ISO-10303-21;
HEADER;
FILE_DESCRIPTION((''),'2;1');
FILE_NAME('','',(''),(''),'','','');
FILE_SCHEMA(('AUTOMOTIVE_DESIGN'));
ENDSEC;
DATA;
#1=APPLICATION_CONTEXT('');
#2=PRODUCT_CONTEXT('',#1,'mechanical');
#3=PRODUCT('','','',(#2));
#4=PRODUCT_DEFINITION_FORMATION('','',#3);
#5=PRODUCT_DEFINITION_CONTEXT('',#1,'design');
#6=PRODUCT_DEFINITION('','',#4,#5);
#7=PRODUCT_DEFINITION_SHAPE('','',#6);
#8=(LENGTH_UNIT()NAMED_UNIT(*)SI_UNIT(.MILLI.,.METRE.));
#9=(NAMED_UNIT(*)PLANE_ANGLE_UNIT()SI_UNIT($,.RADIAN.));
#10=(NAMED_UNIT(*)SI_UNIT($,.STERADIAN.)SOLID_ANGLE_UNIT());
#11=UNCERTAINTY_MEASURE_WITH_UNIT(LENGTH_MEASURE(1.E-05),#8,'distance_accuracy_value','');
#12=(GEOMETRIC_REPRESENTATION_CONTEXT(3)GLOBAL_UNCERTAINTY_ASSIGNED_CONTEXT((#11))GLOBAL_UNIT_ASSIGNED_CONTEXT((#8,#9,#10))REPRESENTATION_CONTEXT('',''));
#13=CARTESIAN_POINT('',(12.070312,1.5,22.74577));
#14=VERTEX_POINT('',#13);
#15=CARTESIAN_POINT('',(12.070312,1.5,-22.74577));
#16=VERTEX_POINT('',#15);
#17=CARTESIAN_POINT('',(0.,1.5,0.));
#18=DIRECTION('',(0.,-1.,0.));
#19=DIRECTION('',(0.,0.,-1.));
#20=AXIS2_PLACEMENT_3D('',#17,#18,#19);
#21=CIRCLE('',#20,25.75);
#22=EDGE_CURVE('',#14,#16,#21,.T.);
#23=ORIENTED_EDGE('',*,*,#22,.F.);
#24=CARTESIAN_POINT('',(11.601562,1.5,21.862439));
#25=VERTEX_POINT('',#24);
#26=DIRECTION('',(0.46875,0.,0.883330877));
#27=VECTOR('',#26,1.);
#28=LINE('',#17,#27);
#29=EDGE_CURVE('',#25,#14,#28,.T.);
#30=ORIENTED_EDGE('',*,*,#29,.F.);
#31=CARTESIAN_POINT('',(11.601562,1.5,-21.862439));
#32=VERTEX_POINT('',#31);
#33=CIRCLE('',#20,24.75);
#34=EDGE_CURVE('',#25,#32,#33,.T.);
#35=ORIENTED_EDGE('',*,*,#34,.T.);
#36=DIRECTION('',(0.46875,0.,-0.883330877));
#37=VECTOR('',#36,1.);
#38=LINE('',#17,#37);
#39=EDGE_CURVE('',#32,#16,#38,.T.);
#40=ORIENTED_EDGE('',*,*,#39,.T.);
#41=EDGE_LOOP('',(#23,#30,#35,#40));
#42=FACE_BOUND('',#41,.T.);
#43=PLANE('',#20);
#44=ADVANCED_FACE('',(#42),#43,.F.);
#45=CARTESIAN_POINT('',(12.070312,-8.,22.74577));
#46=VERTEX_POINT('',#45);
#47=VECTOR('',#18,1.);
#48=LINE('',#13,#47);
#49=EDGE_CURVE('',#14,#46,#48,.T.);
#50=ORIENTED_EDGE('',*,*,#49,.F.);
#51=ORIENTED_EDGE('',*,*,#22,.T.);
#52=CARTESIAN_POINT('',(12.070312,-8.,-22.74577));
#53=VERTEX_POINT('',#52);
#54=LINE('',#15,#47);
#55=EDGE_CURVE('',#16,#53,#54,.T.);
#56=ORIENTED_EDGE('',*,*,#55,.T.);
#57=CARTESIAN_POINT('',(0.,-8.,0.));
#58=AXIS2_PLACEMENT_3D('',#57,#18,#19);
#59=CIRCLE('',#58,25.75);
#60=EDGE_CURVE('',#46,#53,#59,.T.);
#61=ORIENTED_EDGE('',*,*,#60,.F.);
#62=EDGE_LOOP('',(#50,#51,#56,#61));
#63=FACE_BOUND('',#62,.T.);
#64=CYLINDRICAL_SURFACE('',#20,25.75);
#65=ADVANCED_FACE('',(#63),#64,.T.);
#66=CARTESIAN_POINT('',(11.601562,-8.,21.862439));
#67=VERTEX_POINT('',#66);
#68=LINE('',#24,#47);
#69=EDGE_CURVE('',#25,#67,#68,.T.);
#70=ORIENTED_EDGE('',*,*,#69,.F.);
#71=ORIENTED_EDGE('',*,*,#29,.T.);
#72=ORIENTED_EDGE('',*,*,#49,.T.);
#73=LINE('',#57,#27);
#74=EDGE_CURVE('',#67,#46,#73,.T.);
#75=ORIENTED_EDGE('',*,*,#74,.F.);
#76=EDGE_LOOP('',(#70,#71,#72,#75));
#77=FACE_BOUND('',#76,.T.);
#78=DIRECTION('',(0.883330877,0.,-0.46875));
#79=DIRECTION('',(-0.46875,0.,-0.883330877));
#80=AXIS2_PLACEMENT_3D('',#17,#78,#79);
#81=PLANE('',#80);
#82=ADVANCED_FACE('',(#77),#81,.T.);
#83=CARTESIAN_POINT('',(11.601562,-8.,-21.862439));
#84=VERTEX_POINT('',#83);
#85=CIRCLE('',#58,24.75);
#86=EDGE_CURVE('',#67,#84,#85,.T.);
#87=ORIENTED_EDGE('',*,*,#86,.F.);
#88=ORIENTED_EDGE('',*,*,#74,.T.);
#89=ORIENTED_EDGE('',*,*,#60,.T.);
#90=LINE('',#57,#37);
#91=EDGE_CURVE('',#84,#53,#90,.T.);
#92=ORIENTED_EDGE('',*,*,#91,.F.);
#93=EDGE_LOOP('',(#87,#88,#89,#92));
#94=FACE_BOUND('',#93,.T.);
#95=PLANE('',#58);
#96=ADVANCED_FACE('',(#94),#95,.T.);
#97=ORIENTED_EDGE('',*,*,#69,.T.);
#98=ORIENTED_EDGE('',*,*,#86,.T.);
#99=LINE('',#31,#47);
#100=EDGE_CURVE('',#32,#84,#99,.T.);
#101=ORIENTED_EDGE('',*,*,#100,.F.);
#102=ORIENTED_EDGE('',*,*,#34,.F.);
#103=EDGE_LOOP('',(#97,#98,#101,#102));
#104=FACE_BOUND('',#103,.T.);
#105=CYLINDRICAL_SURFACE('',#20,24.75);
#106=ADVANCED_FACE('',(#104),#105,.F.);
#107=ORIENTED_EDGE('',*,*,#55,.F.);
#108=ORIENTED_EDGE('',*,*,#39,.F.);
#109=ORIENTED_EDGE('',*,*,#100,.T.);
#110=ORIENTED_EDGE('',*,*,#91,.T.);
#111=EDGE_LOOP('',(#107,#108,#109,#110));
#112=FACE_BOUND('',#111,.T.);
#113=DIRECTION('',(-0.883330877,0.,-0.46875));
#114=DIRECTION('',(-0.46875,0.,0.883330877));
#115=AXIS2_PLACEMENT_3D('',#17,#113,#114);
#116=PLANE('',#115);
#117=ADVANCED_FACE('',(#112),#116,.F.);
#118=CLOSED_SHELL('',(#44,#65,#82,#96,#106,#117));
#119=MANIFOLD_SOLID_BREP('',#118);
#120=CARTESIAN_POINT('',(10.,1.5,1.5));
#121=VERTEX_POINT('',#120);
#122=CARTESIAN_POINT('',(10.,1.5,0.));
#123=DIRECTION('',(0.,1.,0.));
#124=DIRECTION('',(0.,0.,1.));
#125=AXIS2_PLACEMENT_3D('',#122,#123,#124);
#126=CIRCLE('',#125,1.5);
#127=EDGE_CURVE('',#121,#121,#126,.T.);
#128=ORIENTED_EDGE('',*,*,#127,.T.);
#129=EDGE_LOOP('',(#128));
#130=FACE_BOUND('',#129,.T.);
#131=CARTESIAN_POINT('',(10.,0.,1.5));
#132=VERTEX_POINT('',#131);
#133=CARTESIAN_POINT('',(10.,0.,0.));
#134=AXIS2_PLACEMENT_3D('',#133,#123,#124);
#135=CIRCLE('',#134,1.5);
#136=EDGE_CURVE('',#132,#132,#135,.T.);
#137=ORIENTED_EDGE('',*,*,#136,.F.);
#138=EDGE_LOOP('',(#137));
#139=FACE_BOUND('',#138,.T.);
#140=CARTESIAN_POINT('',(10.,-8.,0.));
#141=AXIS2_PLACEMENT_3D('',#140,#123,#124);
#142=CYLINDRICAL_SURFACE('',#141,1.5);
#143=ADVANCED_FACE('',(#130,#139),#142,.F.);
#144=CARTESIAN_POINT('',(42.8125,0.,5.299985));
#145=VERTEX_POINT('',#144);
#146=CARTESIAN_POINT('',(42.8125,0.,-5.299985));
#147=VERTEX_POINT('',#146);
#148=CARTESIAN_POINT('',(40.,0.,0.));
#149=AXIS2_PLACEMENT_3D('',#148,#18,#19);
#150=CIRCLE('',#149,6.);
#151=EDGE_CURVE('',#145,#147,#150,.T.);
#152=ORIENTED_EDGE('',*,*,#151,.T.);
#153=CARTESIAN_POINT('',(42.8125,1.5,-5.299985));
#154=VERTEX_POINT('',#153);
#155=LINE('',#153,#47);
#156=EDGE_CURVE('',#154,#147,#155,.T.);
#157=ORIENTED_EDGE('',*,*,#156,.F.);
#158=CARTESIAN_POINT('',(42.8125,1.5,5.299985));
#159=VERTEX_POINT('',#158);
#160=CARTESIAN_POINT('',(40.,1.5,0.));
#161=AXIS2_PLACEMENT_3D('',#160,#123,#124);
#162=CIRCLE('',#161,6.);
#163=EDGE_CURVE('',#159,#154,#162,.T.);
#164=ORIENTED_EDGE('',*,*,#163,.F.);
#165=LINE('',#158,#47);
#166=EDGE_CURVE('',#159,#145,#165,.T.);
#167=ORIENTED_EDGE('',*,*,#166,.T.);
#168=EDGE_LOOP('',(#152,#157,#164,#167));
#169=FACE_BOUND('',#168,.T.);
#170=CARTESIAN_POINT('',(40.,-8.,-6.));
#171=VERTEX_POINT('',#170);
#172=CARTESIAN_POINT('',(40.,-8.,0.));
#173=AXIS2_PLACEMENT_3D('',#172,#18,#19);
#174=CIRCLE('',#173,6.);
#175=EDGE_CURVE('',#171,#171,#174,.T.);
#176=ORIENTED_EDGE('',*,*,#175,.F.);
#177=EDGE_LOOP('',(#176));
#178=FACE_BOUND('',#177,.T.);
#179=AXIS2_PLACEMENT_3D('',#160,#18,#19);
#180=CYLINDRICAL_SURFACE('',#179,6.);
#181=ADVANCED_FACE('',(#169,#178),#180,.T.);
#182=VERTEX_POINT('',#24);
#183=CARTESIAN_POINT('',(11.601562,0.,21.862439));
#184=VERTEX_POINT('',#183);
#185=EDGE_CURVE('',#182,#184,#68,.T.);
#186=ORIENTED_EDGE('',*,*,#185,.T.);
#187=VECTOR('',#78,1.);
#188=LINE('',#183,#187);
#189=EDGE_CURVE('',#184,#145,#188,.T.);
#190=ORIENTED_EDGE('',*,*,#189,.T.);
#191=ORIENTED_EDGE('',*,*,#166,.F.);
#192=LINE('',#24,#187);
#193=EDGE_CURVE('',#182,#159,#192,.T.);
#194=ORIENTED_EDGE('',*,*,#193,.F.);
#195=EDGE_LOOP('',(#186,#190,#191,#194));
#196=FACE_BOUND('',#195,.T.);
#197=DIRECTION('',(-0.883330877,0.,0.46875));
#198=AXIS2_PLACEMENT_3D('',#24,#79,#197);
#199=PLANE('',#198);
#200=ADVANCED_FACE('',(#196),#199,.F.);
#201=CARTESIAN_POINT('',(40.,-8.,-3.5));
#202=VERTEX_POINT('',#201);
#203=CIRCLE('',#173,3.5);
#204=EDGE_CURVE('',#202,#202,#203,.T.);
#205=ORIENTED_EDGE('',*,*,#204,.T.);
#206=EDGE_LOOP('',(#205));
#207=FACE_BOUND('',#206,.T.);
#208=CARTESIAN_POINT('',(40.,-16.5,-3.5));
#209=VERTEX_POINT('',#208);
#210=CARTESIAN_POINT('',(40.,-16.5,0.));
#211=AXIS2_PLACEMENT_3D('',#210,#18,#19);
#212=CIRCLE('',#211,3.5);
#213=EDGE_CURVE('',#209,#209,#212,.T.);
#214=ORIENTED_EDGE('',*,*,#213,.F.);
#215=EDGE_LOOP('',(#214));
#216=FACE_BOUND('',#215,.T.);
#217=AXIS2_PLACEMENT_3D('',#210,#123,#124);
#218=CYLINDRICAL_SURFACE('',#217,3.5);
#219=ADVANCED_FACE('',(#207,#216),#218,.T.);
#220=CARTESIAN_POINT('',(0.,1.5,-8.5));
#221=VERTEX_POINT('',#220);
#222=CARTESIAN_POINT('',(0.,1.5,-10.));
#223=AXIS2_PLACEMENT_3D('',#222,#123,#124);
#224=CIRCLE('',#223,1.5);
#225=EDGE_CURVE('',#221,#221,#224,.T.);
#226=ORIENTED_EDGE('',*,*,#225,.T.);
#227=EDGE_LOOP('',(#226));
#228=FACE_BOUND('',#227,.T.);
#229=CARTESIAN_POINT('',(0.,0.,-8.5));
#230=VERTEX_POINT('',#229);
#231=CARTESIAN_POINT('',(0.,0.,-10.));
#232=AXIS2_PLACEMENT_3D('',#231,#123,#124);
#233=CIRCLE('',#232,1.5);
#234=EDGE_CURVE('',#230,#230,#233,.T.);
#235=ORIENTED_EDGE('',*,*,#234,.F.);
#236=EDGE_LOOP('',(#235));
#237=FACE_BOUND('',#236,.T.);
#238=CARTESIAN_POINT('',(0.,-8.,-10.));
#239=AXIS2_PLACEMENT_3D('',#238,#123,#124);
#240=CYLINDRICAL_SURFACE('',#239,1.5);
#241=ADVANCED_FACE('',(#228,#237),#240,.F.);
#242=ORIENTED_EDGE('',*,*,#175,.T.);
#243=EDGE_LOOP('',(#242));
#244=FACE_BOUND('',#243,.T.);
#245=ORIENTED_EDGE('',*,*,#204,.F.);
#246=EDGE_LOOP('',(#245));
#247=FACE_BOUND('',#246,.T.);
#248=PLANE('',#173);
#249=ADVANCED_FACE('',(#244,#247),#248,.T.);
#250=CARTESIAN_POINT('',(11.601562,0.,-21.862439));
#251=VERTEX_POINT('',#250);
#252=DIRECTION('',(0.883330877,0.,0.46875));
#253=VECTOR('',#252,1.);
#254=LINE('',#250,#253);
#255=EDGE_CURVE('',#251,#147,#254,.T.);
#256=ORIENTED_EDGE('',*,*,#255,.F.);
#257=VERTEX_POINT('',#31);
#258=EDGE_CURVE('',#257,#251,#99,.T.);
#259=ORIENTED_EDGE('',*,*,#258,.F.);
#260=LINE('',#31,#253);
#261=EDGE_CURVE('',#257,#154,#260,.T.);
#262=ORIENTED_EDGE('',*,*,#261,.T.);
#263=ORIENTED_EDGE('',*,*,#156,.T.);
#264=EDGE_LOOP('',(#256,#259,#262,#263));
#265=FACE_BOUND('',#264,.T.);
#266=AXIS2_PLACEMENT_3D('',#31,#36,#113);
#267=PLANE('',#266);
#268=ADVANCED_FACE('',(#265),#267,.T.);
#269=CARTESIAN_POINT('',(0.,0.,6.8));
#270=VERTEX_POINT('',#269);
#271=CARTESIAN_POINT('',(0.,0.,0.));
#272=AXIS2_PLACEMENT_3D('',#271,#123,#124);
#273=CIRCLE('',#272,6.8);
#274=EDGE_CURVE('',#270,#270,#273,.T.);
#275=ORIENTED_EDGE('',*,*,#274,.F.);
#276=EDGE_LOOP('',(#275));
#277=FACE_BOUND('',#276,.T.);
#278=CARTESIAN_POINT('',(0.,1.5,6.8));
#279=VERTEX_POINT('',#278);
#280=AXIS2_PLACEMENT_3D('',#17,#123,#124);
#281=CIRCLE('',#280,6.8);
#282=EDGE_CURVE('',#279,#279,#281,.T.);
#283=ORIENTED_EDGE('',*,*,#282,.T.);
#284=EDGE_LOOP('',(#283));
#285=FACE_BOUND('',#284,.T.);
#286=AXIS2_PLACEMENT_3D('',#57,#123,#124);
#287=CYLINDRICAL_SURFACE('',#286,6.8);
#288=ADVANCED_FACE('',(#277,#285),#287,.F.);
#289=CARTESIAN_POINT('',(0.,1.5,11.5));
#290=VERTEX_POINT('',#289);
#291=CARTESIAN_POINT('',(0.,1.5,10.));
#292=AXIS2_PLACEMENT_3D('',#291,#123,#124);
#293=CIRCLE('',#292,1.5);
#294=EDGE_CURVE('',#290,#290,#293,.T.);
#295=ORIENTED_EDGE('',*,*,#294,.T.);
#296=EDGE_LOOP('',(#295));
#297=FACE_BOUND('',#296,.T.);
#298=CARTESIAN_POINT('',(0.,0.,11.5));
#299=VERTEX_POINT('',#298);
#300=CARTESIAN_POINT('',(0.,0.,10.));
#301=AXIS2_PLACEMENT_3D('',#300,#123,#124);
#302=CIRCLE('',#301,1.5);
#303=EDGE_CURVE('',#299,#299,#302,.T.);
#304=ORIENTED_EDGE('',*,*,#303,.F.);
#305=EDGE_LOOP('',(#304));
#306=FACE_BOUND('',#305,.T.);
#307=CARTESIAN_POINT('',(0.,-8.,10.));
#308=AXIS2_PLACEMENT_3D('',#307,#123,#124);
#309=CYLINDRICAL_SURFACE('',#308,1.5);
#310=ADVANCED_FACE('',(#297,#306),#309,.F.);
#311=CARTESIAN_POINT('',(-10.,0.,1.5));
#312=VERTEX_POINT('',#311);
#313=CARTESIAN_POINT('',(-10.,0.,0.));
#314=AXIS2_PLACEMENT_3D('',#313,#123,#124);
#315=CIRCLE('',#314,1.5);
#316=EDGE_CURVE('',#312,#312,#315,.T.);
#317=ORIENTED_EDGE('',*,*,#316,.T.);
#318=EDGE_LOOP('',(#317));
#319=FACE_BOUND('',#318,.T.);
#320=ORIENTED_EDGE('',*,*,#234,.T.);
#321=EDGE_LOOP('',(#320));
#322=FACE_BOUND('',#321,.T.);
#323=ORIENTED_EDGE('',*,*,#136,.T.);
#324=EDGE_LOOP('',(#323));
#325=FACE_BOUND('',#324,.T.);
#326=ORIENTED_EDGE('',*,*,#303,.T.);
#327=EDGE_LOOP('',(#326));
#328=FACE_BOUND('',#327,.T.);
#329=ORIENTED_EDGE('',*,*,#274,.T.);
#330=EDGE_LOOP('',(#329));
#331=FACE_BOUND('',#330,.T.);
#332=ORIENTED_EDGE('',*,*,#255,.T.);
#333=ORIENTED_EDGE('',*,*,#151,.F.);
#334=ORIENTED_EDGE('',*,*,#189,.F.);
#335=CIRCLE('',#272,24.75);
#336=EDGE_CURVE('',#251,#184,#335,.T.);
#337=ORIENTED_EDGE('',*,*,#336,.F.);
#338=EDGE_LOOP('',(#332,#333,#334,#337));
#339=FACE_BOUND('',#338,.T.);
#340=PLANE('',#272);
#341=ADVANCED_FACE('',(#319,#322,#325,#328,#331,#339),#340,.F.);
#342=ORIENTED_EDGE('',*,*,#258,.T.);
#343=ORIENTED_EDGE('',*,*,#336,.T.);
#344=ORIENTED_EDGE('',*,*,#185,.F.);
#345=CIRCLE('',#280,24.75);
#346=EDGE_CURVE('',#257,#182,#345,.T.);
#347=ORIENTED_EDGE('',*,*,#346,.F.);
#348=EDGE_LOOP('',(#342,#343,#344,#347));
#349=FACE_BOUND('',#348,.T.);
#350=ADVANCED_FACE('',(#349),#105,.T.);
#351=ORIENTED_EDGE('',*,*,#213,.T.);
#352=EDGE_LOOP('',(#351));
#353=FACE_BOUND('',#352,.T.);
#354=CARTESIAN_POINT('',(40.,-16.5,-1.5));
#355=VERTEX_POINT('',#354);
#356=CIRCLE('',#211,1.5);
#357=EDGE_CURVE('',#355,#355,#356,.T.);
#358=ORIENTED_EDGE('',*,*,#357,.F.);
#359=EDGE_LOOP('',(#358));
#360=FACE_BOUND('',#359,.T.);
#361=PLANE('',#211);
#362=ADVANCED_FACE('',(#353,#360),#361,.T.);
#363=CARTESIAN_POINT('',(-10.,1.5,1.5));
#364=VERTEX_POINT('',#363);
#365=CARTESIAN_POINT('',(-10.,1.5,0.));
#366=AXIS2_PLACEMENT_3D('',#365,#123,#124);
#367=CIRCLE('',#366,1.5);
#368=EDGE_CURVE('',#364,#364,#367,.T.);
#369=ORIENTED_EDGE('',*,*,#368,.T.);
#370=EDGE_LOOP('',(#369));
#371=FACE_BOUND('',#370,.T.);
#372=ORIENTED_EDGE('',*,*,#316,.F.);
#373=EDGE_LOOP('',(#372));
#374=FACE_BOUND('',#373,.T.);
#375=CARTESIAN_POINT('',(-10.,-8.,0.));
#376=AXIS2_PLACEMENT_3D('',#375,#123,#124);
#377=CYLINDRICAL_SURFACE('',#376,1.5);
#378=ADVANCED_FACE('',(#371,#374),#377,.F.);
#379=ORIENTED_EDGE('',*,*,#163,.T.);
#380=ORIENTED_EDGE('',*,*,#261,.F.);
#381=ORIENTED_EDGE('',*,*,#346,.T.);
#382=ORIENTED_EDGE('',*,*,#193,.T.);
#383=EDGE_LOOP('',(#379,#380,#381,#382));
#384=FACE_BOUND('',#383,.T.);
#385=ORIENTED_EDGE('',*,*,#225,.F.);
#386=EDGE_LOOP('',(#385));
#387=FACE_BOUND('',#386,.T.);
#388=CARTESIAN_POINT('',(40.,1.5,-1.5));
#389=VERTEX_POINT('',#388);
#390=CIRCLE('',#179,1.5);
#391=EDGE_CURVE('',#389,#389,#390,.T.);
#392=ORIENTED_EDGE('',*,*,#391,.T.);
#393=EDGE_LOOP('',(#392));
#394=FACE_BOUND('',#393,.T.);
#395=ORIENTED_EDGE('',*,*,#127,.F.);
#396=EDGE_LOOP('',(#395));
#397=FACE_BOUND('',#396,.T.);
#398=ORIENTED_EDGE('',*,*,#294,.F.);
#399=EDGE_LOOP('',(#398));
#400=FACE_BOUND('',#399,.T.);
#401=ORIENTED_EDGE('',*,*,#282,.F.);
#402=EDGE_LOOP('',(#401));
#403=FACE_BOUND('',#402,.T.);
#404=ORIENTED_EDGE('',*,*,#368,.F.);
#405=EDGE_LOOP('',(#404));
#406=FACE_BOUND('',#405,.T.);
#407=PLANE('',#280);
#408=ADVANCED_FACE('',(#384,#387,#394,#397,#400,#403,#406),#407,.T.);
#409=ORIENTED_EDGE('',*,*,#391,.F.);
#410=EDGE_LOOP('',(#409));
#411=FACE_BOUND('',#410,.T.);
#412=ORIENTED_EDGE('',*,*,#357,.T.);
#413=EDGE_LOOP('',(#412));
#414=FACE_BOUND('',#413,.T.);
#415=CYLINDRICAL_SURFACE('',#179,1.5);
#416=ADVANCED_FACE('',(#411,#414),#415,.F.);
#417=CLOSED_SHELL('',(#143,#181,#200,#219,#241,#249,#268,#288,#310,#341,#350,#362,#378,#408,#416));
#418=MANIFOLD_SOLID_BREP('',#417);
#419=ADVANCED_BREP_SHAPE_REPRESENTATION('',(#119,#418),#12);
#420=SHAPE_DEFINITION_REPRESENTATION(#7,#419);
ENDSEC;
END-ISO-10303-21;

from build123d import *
from build123d.topology import SkipClean

# Parameters (mm, degrees)
EXTRUDE_1_DEPTH      = 1.5
EXTRUDE_2_DEPTH      = 8
EXTRUDE_2_DEPTH_BACK = 1.5
SKETCH_5_R           = 6.8
SKETCH_5_R_2         = 1.5
CUT_EXTRUDE_1_DEPTH  = 54.565964007
EXTRUDE_START        = 8
SKETCH_6_R           = 6
EXTRUDE_3_DEPTH      = 8
SKETCH_7_R           = 3.5
EXTRUDE_4_DEPTH      = 8.5
SKETCH_9_R           = 1.5
CUT_EXTRUDE_2_DEPTH  = 56.705138901


with BuildPart() as part:
    # 草图2 → 凸台-拉伸1 (new body)
    with BuildSketch(Plane(origin=(0, 0, 0), x_dir=(1, 0, 0), z_dir=(0, 1, 0))):
        with BuildLine():
            Line((42.8125, 5.299985259), (11.6015625, 21.862439195))
            ThreePointArc((11.6015625, 21.862439195), (-24.75, 0), (11.6015625, -21.862439195))
            Line((11.6015625, -21.862439195), (42.8125, -5.299985259))
            ThreePointArc((42.8125, -5.299985259), (46, 0), (42.8125, 5.299985259))
        make_face()
    extrude(amount=EXTRUDE_1_DEPTH)

    # 草图5 → 切除-拉伸1 (cut, through all)
    with BuildSketch(Plane(origin=(0, 1.5, 0), x_dir=(1, 0, 0), z_dir=(0, 1, 0))):
        with Locations(Location((0, 0, 0), (0, 0, 270))):
            Circle(SKETCH_5_R)
        with Locations(Location((0, 10, 0), (0, 0, 270))):
            Circle(SKETCH_5_R_2)
        with Locations(Location((10, 0, 0), (0, 0, 270))):
            Circle(SKETCH_5_R_2)
        with Locations(Location((0, -10, 0), (0, 0, 270))):
            Circle(SKETCH_5_R_2)
        with Locations(Location((-10, 0, 0), (0, 0, 270))):
            Circle(SKETCH_5_R_2)
    extrude(amount=-CUT_EXTRUDE_1_DEPTH, mode=Mode.SUBTRACT)

    # 草图6 → 凸台-拉伸3 (add)
    with SkipClean():  # the faces are left unmerged after this step: merging them gives an invalid solid
        with BuildSketch(Plane.XZ.offset(EXTRUDE_START)):
            with Locations(Location((40, 0, 0), (0, 0, 270))):
                Circle(SKETCH_6_R)
        extrude(amount=-EXTRUDE_3_DEPTH)

    # 草图7 → 凸台-拉伸4 (add)
    with SkipClean():  # the faces are left unmerged after this step: merging them gives an invalid solid
        with BuildSketch(Plane.XZ.offset(8)):
            with Locations(Location((40, 0, 0), (0, 0, 270))):
                Circle(SKETCH_7_R)
        extrude(amount=EXTRUDE_4_DEPTH)

    # 草图9 → 切除-拉伸2 (cut, through all)
    with SkipClean():  # the faces are left unmerged after this step: merging them gives an invalid solid
        with BuildSketch(Plane.XZ.offset(16.5)):
            with Locations(Location((40, 0, 0), (0, 0, 270))):
                Circle(SKETCH_9_R)
        extrude(amount=-CUT_EXTRUDE_2_DEPTH, mode=Mode.SUBTRACT)


with BuildPart() as body_2:
    # 草图3 → 凸台-拉伸2 (new, two sides: drawn at the far end of the back side and taken through both)
    with BuildSketch(Plane.XZ.offset(-EXTRUDE_2_DEPTH_BACK)):
        with BuildLine():
            ThreePointArc((11.6015625, -21.862439195), (-24.75, 0), (11.6015625, 21.862439195))
            Line((11.6015625, 21.862439195), (12.0703125, 22.745770072))
            ThreePointArc((12.0703125, 22.745770072), (-25.75, 0), (12.0703125, -22.745770072))
            Line((12.0703125, -22.745770072), (11.6015625, -21.862439195))
        make_face()
    extrude(amount=EXTRUDE_2_DEPTH + EXTRUDE_2_DEPTH_BACK)


solid = Compound([part.part, body_2.part])
